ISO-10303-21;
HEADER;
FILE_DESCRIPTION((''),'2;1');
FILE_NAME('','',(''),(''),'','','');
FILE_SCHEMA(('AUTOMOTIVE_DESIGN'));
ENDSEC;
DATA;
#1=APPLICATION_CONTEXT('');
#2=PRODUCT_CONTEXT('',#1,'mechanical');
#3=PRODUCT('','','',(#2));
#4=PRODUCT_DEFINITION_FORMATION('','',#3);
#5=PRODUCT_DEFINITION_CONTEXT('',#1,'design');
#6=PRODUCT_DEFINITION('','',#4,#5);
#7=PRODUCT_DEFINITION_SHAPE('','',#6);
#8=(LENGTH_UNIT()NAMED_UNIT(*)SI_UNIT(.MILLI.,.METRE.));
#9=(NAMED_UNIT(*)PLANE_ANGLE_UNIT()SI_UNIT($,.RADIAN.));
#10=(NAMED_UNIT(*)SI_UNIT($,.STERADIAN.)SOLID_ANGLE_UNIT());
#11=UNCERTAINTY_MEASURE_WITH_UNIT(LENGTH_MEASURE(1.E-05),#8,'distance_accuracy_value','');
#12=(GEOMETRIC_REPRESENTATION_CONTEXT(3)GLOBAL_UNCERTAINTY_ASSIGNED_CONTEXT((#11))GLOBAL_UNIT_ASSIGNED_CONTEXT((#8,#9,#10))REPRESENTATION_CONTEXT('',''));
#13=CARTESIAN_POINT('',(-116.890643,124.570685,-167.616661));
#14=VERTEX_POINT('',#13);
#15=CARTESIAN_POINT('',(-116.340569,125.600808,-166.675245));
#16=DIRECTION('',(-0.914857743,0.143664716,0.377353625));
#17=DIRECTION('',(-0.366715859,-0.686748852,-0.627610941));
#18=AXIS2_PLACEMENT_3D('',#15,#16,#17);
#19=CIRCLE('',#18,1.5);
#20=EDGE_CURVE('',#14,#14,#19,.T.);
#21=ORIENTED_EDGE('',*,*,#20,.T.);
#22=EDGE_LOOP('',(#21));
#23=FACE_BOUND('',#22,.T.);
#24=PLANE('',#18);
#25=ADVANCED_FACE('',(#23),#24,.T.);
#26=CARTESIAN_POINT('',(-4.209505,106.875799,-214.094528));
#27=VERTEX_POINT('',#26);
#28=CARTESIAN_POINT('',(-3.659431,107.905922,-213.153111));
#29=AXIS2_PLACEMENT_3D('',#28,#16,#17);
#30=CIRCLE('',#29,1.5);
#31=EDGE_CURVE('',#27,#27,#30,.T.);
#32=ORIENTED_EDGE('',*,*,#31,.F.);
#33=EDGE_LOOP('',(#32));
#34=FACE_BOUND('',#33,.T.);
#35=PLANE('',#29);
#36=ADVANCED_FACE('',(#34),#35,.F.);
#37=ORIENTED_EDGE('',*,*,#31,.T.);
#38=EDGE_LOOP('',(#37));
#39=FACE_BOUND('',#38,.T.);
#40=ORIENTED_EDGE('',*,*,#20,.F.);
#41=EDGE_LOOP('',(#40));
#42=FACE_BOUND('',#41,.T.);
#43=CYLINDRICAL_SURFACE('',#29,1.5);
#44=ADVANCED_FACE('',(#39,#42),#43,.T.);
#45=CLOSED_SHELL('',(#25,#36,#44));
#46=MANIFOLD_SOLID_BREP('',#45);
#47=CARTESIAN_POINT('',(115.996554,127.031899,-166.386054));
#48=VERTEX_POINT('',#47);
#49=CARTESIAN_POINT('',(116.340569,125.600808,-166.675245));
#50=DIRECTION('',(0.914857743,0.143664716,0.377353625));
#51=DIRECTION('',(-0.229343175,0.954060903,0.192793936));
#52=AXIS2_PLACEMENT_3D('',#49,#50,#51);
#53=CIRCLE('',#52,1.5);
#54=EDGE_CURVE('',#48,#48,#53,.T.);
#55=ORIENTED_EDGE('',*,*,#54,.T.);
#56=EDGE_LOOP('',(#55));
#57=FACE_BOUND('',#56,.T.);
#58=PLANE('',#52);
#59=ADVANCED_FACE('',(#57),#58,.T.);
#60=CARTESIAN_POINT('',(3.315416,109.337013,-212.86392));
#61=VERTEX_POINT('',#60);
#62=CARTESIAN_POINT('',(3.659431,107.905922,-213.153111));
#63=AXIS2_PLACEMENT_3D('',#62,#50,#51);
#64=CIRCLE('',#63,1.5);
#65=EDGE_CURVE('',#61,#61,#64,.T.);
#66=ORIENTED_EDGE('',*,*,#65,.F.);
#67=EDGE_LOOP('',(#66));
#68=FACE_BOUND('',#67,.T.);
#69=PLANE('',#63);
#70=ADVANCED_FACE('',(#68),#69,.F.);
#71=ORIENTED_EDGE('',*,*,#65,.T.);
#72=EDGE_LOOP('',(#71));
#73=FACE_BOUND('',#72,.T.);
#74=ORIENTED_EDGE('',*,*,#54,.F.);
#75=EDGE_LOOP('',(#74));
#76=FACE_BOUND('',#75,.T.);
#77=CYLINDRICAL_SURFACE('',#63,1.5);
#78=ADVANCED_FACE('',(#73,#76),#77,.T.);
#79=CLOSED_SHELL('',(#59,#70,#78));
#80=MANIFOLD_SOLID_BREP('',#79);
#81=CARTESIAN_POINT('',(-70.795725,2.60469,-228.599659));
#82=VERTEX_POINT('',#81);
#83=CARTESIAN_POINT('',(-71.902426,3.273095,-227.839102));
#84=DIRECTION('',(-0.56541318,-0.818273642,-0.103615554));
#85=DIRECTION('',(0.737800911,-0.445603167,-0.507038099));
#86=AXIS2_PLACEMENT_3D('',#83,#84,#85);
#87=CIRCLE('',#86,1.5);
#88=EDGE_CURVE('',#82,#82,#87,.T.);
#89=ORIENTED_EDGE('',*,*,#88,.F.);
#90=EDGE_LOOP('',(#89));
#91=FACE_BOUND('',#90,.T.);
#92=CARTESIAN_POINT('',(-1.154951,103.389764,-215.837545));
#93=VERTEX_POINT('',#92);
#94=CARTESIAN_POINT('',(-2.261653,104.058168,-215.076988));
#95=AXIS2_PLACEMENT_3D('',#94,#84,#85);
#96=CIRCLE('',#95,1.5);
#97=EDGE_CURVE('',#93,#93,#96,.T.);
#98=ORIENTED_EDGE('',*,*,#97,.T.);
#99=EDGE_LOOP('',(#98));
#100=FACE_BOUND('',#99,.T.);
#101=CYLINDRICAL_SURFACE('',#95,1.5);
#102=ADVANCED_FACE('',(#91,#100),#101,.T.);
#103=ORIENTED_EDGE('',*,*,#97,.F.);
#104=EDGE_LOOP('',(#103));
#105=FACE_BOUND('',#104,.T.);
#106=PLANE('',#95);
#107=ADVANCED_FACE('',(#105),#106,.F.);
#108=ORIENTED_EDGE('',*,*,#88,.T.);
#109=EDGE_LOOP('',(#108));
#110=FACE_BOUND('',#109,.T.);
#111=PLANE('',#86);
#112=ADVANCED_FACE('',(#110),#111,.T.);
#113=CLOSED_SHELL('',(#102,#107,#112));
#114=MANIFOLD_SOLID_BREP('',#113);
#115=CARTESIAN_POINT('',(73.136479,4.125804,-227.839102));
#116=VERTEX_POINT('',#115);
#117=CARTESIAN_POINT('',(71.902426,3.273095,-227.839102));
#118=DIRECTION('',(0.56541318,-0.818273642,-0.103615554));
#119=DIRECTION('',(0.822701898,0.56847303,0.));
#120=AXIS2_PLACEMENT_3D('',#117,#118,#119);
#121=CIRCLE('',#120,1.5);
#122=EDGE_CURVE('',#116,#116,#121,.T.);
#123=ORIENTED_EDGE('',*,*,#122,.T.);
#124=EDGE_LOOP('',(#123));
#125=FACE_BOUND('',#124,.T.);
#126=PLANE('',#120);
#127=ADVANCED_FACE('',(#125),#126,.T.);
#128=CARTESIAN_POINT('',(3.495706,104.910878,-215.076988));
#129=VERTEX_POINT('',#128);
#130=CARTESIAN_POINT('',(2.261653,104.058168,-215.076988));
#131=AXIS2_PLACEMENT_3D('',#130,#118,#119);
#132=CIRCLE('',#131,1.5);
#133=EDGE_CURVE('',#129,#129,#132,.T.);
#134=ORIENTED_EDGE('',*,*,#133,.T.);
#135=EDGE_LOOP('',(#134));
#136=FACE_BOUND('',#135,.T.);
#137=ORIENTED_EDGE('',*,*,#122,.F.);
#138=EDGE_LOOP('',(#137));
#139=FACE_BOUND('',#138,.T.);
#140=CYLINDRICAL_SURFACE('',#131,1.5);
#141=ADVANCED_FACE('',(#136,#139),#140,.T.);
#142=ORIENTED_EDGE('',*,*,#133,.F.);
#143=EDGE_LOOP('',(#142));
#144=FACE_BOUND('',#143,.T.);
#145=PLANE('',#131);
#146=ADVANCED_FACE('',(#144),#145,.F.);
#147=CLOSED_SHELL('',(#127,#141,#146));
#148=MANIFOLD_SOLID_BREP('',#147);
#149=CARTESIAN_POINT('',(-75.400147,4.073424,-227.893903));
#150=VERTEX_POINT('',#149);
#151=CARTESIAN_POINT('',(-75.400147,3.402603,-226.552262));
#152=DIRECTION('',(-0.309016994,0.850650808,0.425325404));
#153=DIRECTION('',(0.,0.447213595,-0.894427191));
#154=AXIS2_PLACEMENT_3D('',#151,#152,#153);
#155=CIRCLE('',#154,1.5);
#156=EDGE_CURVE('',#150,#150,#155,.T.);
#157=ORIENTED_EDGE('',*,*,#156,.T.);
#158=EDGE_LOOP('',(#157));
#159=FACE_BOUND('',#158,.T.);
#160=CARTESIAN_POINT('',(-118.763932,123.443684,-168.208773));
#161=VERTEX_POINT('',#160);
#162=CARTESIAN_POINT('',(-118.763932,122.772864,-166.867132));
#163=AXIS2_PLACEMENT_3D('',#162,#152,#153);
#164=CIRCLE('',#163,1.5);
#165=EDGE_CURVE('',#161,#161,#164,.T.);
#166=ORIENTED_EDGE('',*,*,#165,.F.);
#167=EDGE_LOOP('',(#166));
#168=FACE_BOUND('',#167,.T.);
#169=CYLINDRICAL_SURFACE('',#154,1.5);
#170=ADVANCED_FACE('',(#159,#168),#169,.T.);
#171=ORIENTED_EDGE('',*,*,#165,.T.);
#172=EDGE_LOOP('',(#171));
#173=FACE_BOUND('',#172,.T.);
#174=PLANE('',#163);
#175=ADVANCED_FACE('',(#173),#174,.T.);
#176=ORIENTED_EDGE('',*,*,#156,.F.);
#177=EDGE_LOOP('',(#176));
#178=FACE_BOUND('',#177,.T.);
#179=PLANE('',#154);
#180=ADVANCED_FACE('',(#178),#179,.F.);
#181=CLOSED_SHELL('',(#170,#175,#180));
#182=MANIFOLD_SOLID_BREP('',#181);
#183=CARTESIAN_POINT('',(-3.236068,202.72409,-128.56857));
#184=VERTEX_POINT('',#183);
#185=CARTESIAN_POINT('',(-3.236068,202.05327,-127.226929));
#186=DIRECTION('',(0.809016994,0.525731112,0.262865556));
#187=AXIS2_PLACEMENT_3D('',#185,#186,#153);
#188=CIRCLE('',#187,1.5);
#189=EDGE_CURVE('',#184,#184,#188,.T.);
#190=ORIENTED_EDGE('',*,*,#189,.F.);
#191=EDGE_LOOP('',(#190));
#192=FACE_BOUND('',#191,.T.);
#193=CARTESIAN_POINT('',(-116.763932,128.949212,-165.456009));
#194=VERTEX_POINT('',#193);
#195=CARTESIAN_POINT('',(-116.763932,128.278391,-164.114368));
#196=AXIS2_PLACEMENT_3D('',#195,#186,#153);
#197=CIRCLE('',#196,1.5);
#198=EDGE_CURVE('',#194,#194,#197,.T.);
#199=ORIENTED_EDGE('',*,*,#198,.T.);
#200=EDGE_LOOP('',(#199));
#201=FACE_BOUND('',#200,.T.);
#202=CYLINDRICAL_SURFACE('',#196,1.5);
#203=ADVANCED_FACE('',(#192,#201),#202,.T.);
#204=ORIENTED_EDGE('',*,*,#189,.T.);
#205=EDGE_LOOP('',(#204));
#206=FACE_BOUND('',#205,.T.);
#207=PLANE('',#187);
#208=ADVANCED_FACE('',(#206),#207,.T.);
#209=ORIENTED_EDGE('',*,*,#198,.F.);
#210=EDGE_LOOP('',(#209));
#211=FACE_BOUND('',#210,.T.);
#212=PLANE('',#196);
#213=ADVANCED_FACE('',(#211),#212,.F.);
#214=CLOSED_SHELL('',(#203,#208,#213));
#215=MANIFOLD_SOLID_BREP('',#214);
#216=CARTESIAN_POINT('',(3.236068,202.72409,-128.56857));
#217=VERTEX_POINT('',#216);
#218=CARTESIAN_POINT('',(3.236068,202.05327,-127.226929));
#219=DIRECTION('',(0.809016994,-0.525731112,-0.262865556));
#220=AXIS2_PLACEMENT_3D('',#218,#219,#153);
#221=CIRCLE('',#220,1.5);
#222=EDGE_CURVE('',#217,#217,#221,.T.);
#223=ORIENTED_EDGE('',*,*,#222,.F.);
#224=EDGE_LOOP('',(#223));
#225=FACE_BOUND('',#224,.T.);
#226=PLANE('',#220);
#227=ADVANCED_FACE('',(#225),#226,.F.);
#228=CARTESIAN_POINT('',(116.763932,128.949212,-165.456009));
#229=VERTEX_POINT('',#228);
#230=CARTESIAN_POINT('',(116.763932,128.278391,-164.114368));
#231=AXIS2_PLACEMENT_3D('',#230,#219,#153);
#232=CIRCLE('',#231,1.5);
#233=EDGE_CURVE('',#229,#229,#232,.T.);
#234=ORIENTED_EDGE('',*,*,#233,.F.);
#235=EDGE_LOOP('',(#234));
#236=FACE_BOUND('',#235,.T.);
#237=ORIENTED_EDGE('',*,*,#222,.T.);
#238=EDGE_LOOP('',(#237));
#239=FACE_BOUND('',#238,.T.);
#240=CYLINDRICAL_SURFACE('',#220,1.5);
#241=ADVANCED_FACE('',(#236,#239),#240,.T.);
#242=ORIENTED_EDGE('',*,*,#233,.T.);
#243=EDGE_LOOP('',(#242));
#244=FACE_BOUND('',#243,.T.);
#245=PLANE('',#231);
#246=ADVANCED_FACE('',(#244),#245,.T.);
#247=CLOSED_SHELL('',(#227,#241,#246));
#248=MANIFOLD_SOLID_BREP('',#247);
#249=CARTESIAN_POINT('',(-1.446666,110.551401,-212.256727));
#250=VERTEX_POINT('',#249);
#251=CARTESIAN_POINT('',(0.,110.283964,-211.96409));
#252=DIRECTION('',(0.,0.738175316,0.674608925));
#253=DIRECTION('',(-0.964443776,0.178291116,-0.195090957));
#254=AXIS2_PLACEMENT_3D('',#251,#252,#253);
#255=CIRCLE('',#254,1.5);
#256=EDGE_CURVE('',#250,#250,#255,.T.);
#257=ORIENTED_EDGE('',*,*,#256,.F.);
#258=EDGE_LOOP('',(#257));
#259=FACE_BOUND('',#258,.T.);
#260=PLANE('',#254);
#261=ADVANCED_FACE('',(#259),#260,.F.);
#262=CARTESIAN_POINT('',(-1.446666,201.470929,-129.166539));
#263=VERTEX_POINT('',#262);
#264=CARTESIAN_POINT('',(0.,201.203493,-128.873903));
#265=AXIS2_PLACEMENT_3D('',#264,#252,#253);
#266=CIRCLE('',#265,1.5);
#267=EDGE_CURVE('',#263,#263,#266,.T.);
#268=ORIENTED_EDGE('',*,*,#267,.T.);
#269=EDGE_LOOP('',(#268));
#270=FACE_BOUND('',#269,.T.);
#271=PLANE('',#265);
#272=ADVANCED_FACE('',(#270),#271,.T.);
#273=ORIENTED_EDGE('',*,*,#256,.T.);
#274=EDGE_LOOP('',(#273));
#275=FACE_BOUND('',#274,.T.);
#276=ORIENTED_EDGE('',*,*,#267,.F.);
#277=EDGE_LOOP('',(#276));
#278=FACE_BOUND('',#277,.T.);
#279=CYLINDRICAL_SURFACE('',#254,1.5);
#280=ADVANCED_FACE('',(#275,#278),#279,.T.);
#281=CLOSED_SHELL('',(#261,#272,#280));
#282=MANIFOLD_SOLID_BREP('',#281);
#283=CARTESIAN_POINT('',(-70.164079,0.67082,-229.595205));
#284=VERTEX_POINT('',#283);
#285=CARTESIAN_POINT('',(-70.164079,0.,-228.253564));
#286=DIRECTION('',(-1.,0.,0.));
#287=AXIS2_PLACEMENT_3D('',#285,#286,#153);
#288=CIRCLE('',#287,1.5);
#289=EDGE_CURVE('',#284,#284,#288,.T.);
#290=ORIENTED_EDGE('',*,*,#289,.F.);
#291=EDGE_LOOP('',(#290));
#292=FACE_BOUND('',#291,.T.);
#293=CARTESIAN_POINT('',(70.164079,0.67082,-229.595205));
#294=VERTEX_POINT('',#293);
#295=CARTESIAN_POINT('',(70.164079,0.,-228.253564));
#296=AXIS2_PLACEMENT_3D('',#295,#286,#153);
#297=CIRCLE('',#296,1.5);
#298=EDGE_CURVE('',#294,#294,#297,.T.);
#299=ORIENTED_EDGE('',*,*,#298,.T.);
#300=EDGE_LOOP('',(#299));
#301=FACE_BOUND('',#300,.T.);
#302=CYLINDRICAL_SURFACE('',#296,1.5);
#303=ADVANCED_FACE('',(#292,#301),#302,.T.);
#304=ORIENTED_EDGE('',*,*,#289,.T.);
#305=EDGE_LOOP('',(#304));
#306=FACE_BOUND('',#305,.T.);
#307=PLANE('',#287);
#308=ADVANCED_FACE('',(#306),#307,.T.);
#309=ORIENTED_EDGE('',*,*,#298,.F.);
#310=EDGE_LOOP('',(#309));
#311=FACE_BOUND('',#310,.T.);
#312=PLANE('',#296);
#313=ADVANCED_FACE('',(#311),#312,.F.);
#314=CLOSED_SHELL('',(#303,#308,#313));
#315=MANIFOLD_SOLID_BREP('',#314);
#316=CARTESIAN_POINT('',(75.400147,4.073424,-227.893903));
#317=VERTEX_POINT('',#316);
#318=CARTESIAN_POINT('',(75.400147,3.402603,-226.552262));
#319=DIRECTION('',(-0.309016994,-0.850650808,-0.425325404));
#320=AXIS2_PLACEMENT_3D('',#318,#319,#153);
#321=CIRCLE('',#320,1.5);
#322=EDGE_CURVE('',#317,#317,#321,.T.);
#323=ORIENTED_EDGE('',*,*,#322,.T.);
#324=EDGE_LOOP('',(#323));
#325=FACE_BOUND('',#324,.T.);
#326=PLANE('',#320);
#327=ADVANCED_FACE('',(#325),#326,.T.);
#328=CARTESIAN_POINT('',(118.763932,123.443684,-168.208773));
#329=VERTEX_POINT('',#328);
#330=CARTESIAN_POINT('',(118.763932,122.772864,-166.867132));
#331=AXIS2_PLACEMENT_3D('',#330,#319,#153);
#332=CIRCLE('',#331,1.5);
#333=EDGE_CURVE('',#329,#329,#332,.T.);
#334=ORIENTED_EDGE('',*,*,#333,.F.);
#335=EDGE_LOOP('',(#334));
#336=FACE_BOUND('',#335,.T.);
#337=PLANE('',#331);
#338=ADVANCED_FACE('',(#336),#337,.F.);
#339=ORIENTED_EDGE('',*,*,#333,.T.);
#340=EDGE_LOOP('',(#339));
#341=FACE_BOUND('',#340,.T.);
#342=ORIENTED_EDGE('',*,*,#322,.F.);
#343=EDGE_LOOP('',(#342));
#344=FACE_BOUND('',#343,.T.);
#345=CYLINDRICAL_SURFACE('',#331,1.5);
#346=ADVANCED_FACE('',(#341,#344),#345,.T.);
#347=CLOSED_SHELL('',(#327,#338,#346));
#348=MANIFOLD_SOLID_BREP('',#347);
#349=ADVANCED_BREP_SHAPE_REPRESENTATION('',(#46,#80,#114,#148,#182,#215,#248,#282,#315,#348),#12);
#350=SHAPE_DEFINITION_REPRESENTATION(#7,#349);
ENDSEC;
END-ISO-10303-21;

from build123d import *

# Parameters (mm, degrees)
SKETCH20_R        = 1.5
SKETCH21_R        = 1.5
CIRPATTERN7_COUNT = 5
CIRPATTERN8_COUNT = 5


with BuildPart() as part:
    # Sweep4: sweep along a path in Sketch16
    with BuildLine(Plane(origin=(71.35154116, 74.813981292, -201.467891676), x_dir=(-0.9490605003608429, 0.10968961318168566, -0.2953850968056427), z_dir=(0.3150939013291542, 0.3303843036360469, -0.8896977269028498))) as sweep4_path:
        Line((72.798191909, 22.677431961), (-0.580452741, -76.246349028))
    # Sketch20 → Sweep4 (sweep)
    with BuildSketch(Plane(origin=(2.261652721, 104.058168353, -215.076988054), x_dir=(-0.8248078173251137, -0.5609339440894788, -0.07102939425057496), z_dir=(0.5654131803198278, -0.8182736416337228, -0.10361555350478845))):
        Circle(SKETCH20_R)
    sweep(path=sweep4_path.line)


with BuildPart() as body_2:
    # Sweep5: sweep along a path in Sketch6
    with BuildLine(Plane(origin=(0, 91.301425564, -182.602851129), x_dir=(-1, 0, 0), z_dir=(0, 0.44721359549995754, -0.8944271909999162))) as sweep5_path:
        Line((-118.763932023, 35.186137483), (-75.400146627, -98.273870937))
    # Sketch21 → Sweep5 (sweep)
    with BuildSketch(Plane(origin=(75.400146627, 3.402603233, -226.552262294), x_dir=(-0.9510565162951541, 0.2763932022500199, 0.1381966011250097), z_dir=(-0.309016994374946, -0.8506508083520407, -0.42532540417601955))):
        Circle(SKETCH21_R)
    sweep(path=sweep5_path.line)


with BuildPart() as cirpattern7_1:
    # CirPattern7: pattern copy
    add(part.part.rotate(Axis((0, 91.301425564, -182.602851129), (1.3257972884873299e-15, 0.4472135954999564, -0.8944271909999166)), 1 * 360 / CIRPATTERN7_COUNT))


with BuildPart() as cirpattern7_2:
    # CirPattern7: pattern copy
    add(part.part.rotate(Axis((0, 91.301425564, -182.602851129), (1.3257972884873299e-15, 0.4472135954999564, -0.8944271909999166)), 2 * 360 / CIRPATTERN7_COUNT))


with BuildPart() as cirpattern7_3:
    # CirPattern7: pattern copy
    add(part.part.rotate(Axis((0, 91.301425564, -182.602851129), (1.3257972884873299e-15, 0.4472135954999564, -0.8944271909999166)), 3 * 360 / CIRPATTERN7_COUNT))


with BuildPart() as cirpattern7_4:
    # CirPattern7: pattern copy
    add(part.part.rotate(Axis((0, 91.301425564, -182.602851129), (1.3257972884873299e-15, 0.4472135954999564, -0.8944271909999166)), 4 * 360 / CIRPATTERN7_COUNT))


with BuildPart() as cirpattern8_1:
    # CirPattern8: pattern copy
    add(body_2.part.rotate(Axis((0, 0, 0), (1.8969560526684615e-15, 0.44721359549995676, -0.8944271909999165)), 1 * 360 / CIRPATTERN8_COUNT))


with BuildPart() as cirpattern8_2:
    # CirPattern8: pattern copy
    add(body_2.part.rotate(Axis((0, 0, 0), (1.8969560526684615e-15, 0.44721359549995676, -0.8944271909999165)), 2 * 360 / CIRPATTERN8_COUNT))


with BuildPart() as cirpattern8_3:
    # CirPattern8: pattern copy
    add(body_2.part.rotate(Axis((0, 0, 0), (1.8969560526684615e-15, 0.44721359549995676, -0.8944271909999165)), 3 * 360 / CIRPATTERN8_COUNT))


with BuildPart() as cirpattern8_4:
    # CirPattern8: pattern copy
    add(body_2.part.rotate(Axis((0, 0, 0), (1.8969560526684615e-15, 0.44721359549995676, -0.8944271909999165)), 4 * 360 / CIRPATTERN8_COUNT))


solid = Compound([part.part, body_2.part, cirpattern7_1.part, cirpattern7_2.part, cirpattern7_3.part, cirpattern7_4.part, cirpattern8_1.part, cirpattern8_2.part, cirpattern8_3.part, cirpattern8_4.part])
